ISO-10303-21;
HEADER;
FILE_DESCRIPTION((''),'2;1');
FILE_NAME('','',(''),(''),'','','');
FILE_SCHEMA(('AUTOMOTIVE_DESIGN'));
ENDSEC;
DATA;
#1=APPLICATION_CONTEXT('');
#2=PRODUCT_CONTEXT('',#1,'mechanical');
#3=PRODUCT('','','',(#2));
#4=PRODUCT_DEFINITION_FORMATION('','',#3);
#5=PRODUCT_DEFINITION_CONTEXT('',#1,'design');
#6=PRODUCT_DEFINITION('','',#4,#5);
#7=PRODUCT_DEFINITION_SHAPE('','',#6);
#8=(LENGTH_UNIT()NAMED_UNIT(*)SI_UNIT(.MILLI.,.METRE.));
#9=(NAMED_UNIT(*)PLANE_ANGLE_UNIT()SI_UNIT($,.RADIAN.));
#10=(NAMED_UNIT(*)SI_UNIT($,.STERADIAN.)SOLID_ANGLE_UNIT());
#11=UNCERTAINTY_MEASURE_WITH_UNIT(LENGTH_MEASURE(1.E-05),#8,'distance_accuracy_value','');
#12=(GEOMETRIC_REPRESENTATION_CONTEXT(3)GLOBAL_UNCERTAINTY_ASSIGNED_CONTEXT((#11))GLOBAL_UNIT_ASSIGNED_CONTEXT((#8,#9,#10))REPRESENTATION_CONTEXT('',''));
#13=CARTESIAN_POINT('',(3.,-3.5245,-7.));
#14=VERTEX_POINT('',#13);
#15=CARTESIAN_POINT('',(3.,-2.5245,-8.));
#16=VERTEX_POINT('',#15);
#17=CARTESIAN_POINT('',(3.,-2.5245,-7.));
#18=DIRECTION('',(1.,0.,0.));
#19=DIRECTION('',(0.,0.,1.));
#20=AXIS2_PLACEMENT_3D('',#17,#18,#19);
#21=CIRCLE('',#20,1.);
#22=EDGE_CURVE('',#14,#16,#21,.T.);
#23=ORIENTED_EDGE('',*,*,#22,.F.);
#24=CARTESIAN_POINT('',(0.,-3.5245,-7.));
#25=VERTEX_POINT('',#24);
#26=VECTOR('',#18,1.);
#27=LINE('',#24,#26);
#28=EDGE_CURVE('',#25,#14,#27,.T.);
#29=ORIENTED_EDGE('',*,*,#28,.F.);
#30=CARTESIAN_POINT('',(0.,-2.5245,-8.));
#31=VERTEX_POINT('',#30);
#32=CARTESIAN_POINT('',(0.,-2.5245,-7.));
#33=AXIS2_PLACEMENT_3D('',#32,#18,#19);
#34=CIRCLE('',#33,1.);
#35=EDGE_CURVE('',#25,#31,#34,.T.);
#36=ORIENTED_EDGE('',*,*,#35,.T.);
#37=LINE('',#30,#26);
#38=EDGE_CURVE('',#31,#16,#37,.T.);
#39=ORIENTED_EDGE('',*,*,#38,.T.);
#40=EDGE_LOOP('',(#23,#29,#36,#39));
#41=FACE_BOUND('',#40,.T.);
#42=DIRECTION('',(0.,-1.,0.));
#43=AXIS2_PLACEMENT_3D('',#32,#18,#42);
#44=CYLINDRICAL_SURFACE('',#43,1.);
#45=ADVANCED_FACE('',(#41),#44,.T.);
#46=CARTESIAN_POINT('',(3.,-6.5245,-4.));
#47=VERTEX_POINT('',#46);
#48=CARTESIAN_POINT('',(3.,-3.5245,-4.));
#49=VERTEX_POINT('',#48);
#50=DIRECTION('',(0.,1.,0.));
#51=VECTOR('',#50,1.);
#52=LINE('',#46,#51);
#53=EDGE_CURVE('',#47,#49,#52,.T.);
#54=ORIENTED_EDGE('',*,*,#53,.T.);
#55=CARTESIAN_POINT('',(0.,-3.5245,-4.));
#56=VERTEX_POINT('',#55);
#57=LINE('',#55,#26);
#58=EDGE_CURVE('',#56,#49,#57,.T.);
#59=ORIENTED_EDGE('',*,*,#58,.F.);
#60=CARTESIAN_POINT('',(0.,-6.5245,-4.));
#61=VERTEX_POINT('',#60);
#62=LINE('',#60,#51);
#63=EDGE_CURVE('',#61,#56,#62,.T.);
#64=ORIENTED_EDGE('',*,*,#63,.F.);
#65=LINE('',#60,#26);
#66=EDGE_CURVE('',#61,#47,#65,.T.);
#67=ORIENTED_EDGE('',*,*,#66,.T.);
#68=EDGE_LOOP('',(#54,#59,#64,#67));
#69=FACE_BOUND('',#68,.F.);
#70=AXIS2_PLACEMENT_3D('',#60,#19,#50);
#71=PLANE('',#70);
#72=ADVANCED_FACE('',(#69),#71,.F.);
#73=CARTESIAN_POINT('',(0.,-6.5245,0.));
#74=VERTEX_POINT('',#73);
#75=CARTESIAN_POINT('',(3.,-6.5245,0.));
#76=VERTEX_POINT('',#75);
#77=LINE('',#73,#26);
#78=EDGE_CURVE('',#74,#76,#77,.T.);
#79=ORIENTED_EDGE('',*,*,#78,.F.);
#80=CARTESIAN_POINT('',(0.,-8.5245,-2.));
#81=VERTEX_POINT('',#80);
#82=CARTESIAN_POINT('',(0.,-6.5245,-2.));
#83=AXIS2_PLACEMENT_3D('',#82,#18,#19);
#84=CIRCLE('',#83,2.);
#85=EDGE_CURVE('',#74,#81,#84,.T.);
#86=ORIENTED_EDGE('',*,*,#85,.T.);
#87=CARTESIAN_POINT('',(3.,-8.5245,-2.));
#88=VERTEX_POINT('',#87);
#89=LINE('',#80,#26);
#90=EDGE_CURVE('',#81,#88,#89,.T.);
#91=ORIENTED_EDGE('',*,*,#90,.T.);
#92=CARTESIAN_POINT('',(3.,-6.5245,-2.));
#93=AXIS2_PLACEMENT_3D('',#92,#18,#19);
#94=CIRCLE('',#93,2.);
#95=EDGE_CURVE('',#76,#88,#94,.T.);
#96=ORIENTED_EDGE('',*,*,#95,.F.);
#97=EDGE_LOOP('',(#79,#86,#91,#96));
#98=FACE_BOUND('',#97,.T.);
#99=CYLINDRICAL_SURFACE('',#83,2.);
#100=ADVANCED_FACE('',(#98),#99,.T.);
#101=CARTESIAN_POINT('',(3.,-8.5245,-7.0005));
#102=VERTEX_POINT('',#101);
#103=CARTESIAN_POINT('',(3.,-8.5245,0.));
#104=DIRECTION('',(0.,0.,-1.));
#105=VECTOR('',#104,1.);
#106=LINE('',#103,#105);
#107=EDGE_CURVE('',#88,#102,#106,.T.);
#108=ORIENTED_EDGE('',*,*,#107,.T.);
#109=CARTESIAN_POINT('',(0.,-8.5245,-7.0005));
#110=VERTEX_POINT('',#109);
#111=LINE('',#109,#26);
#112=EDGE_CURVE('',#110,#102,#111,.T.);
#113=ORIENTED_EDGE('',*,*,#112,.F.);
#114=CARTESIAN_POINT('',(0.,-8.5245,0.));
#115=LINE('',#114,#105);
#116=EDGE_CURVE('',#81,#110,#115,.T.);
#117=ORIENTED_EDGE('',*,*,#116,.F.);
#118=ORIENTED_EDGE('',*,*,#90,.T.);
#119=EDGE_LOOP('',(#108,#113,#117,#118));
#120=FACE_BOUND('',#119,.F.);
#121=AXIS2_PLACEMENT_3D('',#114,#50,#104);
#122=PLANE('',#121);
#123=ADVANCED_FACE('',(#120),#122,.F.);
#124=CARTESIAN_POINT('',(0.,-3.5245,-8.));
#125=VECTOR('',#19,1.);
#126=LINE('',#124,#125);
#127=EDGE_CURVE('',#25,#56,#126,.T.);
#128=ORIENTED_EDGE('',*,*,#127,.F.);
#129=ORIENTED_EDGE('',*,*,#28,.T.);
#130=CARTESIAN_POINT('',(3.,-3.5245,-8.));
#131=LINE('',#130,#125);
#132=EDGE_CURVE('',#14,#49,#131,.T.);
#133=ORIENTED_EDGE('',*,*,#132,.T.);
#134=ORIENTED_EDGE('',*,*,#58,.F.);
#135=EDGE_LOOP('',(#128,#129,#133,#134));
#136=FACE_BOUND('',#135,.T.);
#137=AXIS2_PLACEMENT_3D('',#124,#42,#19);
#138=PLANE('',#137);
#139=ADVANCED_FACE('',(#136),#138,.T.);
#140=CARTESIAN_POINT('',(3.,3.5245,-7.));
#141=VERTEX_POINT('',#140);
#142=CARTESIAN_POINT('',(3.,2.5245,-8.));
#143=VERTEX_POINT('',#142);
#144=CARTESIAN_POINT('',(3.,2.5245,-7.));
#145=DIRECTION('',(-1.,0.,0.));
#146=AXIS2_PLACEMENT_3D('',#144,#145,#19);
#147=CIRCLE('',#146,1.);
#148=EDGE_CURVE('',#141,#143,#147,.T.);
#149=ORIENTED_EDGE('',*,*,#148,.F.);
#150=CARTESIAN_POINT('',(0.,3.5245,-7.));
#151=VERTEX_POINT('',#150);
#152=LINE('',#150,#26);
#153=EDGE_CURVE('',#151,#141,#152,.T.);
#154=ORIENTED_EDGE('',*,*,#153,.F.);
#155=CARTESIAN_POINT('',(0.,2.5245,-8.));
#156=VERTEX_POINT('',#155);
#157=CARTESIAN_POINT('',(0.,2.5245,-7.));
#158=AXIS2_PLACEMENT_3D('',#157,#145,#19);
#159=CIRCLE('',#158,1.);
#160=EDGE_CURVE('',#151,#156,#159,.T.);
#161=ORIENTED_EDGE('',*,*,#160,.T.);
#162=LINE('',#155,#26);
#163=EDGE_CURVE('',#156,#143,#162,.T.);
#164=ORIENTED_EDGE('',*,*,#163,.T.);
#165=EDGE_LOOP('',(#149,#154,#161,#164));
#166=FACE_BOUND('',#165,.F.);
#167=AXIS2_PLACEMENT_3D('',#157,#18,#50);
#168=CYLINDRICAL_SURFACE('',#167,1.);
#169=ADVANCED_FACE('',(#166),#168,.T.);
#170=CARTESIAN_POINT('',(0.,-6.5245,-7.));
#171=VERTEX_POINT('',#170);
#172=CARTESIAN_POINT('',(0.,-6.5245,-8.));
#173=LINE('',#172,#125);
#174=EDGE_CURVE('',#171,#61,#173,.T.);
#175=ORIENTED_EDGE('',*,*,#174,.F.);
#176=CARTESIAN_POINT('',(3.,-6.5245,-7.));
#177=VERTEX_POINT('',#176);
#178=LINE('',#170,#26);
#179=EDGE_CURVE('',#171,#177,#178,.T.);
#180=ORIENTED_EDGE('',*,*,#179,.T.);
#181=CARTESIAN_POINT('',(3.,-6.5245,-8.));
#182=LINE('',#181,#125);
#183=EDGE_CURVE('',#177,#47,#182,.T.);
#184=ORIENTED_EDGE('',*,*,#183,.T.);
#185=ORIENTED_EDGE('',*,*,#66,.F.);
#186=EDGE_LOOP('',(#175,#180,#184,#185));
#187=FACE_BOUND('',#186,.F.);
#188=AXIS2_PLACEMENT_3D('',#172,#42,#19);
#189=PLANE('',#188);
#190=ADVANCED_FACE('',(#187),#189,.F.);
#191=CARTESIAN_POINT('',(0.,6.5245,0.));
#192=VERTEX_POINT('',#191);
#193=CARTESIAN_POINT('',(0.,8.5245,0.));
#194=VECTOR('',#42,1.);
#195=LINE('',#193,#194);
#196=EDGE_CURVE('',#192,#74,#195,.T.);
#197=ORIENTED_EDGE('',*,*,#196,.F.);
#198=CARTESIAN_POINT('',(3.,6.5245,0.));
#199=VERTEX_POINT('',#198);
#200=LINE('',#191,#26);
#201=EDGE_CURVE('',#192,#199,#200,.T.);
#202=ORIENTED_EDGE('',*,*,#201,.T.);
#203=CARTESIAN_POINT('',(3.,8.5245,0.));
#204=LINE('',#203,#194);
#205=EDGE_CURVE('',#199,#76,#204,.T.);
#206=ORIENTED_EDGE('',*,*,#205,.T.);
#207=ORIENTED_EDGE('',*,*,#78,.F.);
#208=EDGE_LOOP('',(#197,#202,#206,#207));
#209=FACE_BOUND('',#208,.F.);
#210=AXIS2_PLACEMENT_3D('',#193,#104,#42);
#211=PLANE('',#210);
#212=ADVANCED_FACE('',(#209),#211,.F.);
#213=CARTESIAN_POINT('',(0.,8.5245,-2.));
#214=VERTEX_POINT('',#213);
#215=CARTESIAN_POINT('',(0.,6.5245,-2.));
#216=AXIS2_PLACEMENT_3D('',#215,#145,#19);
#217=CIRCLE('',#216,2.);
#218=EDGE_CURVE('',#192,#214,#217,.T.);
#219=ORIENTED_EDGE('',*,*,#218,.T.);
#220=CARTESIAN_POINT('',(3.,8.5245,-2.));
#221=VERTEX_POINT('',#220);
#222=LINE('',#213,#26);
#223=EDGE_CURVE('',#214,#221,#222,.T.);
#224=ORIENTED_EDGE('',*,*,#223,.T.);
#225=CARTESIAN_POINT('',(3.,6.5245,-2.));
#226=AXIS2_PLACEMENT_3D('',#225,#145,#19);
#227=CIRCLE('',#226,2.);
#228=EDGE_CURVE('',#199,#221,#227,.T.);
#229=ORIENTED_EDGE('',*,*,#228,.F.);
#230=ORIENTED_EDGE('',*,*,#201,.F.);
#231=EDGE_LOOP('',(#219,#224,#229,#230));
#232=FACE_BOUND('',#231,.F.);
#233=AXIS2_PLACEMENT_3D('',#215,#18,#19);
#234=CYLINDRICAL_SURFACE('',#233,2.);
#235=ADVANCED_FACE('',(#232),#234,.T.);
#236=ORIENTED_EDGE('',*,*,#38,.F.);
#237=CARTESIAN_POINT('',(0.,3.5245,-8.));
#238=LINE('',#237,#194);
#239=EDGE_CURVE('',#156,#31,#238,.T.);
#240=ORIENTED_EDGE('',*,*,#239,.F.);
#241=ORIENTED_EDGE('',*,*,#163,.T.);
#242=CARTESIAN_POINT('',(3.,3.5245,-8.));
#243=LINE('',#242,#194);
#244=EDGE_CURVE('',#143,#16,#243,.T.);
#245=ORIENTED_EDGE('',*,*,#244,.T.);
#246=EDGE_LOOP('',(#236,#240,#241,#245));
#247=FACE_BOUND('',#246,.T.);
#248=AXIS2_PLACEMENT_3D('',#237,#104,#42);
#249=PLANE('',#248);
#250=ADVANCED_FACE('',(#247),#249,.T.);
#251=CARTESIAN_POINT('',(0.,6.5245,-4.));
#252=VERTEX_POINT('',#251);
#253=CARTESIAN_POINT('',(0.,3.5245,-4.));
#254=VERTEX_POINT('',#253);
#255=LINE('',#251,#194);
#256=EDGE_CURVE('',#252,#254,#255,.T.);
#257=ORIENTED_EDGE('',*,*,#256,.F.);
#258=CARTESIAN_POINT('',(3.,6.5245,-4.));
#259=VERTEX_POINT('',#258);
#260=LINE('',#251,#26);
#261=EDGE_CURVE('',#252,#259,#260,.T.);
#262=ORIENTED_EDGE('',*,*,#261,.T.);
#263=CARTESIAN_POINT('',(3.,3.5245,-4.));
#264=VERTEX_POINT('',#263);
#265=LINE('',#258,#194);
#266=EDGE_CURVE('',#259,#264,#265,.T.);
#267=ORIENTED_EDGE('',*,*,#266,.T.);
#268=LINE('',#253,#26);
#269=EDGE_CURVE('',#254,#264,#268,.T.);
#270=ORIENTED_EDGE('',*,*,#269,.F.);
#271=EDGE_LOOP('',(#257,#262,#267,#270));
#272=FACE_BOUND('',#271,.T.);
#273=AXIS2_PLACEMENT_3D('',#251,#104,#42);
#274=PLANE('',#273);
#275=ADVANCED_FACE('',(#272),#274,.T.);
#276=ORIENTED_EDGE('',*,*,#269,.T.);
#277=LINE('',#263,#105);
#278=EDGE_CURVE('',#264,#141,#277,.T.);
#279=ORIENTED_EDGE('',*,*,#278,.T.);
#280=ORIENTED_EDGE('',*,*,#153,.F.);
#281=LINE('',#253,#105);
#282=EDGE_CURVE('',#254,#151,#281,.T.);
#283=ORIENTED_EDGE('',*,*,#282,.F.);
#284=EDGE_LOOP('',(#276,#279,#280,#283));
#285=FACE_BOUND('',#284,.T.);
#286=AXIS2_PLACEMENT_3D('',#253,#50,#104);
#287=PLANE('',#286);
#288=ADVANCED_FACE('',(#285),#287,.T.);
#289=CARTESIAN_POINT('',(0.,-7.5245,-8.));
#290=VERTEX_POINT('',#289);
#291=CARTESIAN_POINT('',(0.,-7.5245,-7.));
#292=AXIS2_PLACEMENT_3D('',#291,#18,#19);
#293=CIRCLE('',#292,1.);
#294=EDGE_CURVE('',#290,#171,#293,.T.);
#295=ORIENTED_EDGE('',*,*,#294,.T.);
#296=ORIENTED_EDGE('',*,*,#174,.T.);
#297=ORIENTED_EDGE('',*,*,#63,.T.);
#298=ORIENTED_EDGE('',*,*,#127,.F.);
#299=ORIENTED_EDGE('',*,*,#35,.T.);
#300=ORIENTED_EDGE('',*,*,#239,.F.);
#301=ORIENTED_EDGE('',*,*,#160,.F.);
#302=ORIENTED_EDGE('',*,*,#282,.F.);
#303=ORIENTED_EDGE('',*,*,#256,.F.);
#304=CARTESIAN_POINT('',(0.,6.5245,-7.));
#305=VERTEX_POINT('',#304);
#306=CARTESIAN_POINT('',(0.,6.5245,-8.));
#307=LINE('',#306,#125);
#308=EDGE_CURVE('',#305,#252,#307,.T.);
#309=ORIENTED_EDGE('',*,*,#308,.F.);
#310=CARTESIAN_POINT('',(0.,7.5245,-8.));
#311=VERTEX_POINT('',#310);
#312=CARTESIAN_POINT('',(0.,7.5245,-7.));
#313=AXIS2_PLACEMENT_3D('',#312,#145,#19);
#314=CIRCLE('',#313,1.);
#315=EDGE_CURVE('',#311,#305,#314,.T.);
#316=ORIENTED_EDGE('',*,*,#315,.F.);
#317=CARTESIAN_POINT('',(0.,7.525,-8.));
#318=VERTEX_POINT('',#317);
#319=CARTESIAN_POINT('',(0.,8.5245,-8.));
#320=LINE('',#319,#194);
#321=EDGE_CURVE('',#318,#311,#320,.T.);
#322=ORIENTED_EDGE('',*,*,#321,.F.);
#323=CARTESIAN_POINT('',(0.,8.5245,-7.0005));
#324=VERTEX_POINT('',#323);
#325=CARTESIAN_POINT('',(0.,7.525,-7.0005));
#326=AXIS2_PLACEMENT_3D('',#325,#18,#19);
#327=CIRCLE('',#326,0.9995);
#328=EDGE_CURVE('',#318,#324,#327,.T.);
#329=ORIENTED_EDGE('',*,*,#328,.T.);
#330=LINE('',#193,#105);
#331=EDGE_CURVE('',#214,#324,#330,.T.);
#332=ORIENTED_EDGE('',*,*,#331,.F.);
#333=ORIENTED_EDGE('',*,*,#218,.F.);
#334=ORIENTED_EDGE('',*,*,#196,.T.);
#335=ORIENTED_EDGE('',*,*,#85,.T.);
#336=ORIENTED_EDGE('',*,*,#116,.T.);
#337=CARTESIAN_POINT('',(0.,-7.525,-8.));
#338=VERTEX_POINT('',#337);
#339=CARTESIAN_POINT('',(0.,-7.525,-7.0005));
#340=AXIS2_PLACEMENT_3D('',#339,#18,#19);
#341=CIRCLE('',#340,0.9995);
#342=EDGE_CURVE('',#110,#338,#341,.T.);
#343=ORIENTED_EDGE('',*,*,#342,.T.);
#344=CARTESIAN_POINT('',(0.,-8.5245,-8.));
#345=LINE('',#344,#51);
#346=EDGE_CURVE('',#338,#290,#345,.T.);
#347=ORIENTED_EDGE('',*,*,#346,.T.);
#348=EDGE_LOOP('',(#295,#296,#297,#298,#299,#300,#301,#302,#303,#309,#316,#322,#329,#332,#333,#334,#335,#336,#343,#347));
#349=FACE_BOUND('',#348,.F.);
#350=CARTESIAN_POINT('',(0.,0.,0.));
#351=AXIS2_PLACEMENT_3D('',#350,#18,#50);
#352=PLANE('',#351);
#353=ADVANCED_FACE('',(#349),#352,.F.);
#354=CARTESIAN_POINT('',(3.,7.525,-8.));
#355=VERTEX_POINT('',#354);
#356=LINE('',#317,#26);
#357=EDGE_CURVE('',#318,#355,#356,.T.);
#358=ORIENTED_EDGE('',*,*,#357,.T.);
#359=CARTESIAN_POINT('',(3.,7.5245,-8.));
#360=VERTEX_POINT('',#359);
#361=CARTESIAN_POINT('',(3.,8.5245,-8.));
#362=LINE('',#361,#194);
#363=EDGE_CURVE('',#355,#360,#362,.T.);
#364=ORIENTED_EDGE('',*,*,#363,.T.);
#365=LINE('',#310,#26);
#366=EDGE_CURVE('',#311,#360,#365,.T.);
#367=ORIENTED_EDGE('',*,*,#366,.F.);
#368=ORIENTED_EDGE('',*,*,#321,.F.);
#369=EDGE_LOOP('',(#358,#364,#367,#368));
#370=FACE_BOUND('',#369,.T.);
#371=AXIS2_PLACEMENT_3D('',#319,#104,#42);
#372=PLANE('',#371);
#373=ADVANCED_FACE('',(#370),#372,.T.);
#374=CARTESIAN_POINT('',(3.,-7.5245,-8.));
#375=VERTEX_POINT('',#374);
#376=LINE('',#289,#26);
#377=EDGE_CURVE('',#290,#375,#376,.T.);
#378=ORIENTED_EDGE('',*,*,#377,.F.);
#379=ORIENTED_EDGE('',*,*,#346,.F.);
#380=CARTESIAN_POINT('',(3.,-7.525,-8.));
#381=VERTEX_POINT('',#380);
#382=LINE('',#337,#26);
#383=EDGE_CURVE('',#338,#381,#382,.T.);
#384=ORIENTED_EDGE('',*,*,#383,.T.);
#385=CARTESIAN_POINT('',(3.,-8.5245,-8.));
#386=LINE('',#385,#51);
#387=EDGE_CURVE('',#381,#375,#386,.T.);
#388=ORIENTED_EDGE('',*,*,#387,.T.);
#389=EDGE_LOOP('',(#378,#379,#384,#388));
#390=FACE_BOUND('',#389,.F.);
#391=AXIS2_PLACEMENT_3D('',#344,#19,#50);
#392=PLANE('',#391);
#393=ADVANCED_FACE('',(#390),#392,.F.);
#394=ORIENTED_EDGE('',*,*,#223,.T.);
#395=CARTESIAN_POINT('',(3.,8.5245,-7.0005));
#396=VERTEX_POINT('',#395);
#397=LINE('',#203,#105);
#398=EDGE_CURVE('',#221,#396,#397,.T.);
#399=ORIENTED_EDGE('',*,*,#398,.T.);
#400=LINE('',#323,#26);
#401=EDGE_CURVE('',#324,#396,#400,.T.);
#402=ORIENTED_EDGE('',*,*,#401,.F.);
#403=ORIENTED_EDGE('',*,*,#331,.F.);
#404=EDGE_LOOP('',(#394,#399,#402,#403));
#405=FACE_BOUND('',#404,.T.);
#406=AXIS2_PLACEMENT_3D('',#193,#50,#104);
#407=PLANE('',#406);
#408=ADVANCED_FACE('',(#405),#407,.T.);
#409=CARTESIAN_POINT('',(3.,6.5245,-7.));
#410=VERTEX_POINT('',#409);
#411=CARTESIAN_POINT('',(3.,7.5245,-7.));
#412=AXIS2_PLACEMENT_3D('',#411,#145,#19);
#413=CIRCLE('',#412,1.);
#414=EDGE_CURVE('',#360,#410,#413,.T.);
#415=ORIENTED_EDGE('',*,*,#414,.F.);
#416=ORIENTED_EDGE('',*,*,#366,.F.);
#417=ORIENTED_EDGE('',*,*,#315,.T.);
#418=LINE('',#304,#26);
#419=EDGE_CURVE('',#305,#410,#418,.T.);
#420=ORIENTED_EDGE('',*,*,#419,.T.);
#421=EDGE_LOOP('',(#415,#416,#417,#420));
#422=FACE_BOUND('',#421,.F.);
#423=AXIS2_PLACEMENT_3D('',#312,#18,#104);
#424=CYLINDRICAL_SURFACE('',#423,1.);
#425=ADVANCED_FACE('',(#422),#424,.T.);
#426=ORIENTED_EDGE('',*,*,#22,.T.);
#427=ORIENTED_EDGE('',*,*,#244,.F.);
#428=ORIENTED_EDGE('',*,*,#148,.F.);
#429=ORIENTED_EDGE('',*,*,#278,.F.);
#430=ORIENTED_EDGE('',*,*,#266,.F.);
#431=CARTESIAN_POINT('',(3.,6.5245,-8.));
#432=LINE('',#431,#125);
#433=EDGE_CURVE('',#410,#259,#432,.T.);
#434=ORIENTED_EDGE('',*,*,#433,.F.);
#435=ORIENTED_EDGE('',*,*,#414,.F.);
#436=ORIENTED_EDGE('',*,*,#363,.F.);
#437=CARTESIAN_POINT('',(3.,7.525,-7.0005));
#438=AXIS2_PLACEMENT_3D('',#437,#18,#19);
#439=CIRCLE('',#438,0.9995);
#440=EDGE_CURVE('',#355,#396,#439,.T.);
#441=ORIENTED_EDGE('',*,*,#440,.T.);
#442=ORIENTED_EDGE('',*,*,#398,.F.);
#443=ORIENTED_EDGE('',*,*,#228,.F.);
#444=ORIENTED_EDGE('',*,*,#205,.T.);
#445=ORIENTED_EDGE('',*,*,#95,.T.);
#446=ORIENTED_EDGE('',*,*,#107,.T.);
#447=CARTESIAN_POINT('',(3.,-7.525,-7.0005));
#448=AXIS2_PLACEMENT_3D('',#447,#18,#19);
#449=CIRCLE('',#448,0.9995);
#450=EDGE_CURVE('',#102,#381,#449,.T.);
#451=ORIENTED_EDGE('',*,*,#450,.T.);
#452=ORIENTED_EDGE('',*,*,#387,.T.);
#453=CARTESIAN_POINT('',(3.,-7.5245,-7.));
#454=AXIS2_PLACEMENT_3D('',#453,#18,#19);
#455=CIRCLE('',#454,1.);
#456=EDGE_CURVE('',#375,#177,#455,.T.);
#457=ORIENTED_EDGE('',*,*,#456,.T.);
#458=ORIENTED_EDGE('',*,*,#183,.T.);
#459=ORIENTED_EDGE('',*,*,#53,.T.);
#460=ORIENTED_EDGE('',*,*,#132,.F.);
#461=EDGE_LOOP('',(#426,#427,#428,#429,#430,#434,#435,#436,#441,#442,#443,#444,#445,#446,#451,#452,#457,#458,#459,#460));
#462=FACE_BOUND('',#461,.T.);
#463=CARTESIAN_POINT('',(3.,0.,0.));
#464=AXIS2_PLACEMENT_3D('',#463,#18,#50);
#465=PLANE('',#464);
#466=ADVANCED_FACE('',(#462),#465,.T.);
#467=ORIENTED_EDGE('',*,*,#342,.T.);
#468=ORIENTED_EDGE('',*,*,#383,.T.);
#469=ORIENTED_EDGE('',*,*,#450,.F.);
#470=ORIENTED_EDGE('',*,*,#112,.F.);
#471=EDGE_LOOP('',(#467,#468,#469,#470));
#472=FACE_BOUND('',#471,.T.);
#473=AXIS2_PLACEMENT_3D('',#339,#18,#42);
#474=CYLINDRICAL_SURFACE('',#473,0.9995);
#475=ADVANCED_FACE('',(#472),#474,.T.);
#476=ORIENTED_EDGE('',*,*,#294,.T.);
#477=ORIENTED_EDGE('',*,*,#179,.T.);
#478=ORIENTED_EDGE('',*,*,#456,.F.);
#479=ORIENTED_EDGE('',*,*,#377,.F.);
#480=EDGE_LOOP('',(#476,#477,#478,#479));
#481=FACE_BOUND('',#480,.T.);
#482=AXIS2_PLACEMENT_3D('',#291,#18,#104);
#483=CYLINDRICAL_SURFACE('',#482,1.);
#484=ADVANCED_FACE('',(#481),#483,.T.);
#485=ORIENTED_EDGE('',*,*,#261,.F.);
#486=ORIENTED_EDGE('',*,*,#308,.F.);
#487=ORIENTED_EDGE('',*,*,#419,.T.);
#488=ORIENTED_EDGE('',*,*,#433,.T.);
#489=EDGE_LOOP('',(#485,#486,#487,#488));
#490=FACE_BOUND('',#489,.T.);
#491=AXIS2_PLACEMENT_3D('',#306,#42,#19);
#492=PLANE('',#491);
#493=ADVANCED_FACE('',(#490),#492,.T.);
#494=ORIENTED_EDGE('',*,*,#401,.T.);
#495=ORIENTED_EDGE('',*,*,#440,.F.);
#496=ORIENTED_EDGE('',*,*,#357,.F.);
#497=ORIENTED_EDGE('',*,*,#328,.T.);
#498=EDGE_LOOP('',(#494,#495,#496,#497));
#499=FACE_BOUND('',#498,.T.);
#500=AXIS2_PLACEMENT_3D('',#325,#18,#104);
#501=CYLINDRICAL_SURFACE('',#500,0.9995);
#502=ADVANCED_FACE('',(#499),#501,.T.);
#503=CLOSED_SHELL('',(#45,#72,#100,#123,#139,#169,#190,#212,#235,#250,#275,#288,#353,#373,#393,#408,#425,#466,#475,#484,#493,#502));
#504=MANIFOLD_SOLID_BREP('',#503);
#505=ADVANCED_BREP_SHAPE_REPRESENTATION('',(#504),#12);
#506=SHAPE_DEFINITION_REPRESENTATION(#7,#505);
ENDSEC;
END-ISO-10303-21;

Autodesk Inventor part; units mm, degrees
ref_plane "YZ Plane" through (0, 0, 0) normal (1, 0, 0) x (0, 1, 0)
ref_plane "XZ Plane" through (0, 0, 0) normal (0, 1, 0) x (-1, 0, 0)
ref_plane "XY Plane" through (0, 0, 0) normal (0, 0, 1) x (1, 0, 0)
sketch "草圖1" plane through (0, 0, 0) normal (1, 0, 0) x (0, 1, 0)
  line L0 (-8.5245, 0) -> (-8.5245, -8)
  line L1 (-8.5245, -8) -> (-6.5245, -8)
  line L2 (-6.5245, -8) -> (-6.5245, -4)
  line L3 (-6.5245, -4) -> (-3.5245, -4)
  line L4 (3.5245, -4) -> (3.5245, -8)
  line L5 (3.5245, -8) -> (-3.5245, -8)
  line L6 (8.5245, 0) -> (8.5245, -8)
  line L7 (8.5245, -8) -> (6.5245, -8)
  line L8 (6.5245, -8) -> (6.5245, -4)
  line L9 (6.5245, -4) -> (3.5245, -4)
  line L10 (8.5245, 0) -> (-8.5245, 0)
  line L11 (-3.5245, -8) -> (-3.5245, -4)
  point P0 (0, 0)
  point P1 (0, 0)
  point P2 (0, 0)
  dimension "d2" = 3
  dimension "d3" = 7.049
  dimension "d4" = 8
  dimension "d5" = 4
  dimension "d6" = 2
  dimension "d12" = 17.049
extrude "擠出1" add sketch "草圖1" along normal blind 3
fillet "圓角1" radius 2 2 edges at (1.5, 8.5245, 0) (1.5, -8.5245, 0)
fillet "圓角2" radius 1 4 edges at (1.5, 6.5245, -8) (1.5, 3.5245, -8) (1.5, -3.5245, -8) (1.5, -6.5245, -8)
fillet "圓角3" radius 1 2 edges at (1.5, 8.5245, -8) (1.5, -8.5245, -8)
properties part number "flange support" material "木材 (楓木)"
